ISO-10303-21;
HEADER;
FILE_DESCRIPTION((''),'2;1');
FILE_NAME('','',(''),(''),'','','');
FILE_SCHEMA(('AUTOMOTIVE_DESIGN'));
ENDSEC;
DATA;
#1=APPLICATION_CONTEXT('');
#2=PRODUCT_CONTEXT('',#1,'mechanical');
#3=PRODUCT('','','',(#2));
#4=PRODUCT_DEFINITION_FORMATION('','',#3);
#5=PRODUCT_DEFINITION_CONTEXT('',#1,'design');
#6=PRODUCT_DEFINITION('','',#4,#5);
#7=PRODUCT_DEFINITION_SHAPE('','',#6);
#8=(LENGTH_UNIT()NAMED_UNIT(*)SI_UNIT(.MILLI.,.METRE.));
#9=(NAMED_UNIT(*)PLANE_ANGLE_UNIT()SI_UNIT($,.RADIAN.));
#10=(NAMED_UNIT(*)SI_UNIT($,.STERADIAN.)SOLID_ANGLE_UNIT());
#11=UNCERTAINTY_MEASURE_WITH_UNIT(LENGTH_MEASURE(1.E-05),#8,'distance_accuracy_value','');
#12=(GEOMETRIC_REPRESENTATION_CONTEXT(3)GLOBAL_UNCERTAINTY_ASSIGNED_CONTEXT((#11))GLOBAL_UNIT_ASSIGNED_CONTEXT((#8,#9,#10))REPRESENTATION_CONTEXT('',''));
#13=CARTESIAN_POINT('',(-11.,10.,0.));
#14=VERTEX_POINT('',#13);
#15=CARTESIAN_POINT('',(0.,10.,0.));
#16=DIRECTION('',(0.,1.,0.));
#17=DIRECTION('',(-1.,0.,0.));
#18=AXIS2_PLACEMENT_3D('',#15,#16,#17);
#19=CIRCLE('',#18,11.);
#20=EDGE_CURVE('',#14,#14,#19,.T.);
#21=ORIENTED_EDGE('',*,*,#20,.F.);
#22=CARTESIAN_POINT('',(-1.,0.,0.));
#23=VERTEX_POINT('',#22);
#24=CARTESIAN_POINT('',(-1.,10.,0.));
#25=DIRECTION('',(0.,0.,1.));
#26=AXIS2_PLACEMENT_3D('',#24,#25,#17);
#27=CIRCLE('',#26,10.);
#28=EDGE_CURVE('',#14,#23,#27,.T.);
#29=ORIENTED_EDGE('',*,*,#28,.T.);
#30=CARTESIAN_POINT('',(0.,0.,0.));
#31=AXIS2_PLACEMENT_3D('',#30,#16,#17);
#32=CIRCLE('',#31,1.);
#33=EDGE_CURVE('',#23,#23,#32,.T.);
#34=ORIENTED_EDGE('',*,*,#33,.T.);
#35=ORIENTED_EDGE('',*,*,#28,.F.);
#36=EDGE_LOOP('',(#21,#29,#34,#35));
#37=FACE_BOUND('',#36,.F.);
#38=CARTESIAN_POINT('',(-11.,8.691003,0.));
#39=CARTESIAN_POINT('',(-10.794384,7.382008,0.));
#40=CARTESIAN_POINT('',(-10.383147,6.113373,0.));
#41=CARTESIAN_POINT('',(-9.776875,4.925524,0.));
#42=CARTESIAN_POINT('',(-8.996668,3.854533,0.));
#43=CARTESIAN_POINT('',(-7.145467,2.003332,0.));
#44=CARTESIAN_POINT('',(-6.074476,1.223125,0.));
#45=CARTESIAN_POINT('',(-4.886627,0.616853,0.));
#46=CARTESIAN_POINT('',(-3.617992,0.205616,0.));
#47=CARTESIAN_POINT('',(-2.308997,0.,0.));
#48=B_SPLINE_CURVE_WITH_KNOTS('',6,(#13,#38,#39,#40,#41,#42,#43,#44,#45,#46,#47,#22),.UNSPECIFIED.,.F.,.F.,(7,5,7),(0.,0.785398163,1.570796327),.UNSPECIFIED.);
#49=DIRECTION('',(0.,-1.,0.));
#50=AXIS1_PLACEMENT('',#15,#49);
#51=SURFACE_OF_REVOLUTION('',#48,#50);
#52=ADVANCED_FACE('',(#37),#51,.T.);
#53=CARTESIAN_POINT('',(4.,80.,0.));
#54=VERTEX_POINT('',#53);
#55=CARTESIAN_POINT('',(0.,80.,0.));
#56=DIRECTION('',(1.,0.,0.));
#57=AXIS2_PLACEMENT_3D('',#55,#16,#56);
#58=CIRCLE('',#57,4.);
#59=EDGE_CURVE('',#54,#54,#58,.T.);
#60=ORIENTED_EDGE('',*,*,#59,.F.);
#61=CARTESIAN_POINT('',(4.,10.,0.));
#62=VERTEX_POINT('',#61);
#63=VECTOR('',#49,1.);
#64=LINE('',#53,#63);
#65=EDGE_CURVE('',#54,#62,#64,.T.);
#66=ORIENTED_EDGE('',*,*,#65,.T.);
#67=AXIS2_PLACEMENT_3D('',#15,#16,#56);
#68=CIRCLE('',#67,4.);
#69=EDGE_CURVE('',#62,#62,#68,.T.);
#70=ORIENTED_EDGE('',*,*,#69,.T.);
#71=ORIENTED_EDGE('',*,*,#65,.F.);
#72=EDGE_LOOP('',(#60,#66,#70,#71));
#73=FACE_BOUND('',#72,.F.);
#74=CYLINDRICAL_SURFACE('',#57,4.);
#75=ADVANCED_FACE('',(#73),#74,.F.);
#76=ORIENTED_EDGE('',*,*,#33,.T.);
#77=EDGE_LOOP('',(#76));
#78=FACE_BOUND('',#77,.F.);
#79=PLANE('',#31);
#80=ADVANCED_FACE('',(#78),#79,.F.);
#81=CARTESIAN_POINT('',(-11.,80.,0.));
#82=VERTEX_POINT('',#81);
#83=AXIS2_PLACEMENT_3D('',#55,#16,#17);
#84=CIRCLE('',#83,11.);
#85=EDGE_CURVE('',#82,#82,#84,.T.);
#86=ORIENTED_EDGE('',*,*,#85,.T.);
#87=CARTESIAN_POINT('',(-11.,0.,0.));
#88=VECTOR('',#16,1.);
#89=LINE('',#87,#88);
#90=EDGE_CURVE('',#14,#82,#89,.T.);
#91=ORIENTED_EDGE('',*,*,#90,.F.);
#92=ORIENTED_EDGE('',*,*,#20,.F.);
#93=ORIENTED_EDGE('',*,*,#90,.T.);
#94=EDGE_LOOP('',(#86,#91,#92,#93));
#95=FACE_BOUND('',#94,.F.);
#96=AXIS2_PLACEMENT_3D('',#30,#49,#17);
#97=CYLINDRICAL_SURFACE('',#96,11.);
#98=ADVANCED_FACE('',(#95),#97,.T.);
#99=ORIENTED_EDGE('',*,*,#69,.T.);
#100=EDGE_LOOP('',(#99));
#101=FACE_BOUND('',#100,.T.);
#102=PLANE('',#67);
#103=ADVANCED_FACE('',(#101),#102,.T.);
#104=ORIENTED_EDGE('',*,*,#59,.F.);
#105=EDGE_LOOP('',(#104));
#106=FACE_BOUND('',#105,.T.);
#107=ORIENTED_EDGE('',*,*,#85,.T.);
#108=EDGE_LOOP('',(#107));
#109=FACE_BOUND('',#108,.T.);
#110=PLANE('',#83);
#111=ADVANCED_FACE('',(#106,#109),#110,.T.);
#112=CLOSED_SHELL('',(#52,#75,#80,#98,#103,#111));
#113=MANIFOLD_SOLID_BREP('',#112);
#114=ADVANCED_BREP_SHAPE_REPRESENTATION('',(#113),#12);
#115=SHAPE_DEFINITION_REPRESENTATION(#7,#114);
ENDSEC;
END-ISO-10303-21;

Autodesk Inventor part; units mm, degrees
ref_plane "YZ Plane" through (0, 0, 0) normal (1, 0, 0) x (0, 1, 0)
ref_plane "XZ Plane" through (0, 0, 0) normal (0, 1, 0) x (-1, 0, 0)
ref_plane "XY Plane" through (0, 0, 0) normal (0, 0, 1) x (1, 0, 0)
sketch "Boceto1" plane through (0, 0, 0) normal (0, 1, 0) x (-1, 0, 0)
  circle A0 centre (0, 0) radius 11
  dimension "d0" = 22
extrude "Extrusión1" add sketch "Boceto1" along normal blind 80
fillet "Empalme1" radius 10 1 edges at (11, 0, 0)
sketch "Boceto2" plane through (0, 80, 0) normal (0, 1, 0) x (1, 0, 0)
  point P0 (0, 0)
sketch "Boceto3" plane through (0, 80, 0) normal (0, 1, 0) x (1, 0, 0)
  circle A0 centre (0, 0) radius 4
  dimension "d4" = 8
extrude "Extrusión2" cut sketch "Boceto3" against normal blind 70
properties part number "pieza2 proyecto alternativo"
